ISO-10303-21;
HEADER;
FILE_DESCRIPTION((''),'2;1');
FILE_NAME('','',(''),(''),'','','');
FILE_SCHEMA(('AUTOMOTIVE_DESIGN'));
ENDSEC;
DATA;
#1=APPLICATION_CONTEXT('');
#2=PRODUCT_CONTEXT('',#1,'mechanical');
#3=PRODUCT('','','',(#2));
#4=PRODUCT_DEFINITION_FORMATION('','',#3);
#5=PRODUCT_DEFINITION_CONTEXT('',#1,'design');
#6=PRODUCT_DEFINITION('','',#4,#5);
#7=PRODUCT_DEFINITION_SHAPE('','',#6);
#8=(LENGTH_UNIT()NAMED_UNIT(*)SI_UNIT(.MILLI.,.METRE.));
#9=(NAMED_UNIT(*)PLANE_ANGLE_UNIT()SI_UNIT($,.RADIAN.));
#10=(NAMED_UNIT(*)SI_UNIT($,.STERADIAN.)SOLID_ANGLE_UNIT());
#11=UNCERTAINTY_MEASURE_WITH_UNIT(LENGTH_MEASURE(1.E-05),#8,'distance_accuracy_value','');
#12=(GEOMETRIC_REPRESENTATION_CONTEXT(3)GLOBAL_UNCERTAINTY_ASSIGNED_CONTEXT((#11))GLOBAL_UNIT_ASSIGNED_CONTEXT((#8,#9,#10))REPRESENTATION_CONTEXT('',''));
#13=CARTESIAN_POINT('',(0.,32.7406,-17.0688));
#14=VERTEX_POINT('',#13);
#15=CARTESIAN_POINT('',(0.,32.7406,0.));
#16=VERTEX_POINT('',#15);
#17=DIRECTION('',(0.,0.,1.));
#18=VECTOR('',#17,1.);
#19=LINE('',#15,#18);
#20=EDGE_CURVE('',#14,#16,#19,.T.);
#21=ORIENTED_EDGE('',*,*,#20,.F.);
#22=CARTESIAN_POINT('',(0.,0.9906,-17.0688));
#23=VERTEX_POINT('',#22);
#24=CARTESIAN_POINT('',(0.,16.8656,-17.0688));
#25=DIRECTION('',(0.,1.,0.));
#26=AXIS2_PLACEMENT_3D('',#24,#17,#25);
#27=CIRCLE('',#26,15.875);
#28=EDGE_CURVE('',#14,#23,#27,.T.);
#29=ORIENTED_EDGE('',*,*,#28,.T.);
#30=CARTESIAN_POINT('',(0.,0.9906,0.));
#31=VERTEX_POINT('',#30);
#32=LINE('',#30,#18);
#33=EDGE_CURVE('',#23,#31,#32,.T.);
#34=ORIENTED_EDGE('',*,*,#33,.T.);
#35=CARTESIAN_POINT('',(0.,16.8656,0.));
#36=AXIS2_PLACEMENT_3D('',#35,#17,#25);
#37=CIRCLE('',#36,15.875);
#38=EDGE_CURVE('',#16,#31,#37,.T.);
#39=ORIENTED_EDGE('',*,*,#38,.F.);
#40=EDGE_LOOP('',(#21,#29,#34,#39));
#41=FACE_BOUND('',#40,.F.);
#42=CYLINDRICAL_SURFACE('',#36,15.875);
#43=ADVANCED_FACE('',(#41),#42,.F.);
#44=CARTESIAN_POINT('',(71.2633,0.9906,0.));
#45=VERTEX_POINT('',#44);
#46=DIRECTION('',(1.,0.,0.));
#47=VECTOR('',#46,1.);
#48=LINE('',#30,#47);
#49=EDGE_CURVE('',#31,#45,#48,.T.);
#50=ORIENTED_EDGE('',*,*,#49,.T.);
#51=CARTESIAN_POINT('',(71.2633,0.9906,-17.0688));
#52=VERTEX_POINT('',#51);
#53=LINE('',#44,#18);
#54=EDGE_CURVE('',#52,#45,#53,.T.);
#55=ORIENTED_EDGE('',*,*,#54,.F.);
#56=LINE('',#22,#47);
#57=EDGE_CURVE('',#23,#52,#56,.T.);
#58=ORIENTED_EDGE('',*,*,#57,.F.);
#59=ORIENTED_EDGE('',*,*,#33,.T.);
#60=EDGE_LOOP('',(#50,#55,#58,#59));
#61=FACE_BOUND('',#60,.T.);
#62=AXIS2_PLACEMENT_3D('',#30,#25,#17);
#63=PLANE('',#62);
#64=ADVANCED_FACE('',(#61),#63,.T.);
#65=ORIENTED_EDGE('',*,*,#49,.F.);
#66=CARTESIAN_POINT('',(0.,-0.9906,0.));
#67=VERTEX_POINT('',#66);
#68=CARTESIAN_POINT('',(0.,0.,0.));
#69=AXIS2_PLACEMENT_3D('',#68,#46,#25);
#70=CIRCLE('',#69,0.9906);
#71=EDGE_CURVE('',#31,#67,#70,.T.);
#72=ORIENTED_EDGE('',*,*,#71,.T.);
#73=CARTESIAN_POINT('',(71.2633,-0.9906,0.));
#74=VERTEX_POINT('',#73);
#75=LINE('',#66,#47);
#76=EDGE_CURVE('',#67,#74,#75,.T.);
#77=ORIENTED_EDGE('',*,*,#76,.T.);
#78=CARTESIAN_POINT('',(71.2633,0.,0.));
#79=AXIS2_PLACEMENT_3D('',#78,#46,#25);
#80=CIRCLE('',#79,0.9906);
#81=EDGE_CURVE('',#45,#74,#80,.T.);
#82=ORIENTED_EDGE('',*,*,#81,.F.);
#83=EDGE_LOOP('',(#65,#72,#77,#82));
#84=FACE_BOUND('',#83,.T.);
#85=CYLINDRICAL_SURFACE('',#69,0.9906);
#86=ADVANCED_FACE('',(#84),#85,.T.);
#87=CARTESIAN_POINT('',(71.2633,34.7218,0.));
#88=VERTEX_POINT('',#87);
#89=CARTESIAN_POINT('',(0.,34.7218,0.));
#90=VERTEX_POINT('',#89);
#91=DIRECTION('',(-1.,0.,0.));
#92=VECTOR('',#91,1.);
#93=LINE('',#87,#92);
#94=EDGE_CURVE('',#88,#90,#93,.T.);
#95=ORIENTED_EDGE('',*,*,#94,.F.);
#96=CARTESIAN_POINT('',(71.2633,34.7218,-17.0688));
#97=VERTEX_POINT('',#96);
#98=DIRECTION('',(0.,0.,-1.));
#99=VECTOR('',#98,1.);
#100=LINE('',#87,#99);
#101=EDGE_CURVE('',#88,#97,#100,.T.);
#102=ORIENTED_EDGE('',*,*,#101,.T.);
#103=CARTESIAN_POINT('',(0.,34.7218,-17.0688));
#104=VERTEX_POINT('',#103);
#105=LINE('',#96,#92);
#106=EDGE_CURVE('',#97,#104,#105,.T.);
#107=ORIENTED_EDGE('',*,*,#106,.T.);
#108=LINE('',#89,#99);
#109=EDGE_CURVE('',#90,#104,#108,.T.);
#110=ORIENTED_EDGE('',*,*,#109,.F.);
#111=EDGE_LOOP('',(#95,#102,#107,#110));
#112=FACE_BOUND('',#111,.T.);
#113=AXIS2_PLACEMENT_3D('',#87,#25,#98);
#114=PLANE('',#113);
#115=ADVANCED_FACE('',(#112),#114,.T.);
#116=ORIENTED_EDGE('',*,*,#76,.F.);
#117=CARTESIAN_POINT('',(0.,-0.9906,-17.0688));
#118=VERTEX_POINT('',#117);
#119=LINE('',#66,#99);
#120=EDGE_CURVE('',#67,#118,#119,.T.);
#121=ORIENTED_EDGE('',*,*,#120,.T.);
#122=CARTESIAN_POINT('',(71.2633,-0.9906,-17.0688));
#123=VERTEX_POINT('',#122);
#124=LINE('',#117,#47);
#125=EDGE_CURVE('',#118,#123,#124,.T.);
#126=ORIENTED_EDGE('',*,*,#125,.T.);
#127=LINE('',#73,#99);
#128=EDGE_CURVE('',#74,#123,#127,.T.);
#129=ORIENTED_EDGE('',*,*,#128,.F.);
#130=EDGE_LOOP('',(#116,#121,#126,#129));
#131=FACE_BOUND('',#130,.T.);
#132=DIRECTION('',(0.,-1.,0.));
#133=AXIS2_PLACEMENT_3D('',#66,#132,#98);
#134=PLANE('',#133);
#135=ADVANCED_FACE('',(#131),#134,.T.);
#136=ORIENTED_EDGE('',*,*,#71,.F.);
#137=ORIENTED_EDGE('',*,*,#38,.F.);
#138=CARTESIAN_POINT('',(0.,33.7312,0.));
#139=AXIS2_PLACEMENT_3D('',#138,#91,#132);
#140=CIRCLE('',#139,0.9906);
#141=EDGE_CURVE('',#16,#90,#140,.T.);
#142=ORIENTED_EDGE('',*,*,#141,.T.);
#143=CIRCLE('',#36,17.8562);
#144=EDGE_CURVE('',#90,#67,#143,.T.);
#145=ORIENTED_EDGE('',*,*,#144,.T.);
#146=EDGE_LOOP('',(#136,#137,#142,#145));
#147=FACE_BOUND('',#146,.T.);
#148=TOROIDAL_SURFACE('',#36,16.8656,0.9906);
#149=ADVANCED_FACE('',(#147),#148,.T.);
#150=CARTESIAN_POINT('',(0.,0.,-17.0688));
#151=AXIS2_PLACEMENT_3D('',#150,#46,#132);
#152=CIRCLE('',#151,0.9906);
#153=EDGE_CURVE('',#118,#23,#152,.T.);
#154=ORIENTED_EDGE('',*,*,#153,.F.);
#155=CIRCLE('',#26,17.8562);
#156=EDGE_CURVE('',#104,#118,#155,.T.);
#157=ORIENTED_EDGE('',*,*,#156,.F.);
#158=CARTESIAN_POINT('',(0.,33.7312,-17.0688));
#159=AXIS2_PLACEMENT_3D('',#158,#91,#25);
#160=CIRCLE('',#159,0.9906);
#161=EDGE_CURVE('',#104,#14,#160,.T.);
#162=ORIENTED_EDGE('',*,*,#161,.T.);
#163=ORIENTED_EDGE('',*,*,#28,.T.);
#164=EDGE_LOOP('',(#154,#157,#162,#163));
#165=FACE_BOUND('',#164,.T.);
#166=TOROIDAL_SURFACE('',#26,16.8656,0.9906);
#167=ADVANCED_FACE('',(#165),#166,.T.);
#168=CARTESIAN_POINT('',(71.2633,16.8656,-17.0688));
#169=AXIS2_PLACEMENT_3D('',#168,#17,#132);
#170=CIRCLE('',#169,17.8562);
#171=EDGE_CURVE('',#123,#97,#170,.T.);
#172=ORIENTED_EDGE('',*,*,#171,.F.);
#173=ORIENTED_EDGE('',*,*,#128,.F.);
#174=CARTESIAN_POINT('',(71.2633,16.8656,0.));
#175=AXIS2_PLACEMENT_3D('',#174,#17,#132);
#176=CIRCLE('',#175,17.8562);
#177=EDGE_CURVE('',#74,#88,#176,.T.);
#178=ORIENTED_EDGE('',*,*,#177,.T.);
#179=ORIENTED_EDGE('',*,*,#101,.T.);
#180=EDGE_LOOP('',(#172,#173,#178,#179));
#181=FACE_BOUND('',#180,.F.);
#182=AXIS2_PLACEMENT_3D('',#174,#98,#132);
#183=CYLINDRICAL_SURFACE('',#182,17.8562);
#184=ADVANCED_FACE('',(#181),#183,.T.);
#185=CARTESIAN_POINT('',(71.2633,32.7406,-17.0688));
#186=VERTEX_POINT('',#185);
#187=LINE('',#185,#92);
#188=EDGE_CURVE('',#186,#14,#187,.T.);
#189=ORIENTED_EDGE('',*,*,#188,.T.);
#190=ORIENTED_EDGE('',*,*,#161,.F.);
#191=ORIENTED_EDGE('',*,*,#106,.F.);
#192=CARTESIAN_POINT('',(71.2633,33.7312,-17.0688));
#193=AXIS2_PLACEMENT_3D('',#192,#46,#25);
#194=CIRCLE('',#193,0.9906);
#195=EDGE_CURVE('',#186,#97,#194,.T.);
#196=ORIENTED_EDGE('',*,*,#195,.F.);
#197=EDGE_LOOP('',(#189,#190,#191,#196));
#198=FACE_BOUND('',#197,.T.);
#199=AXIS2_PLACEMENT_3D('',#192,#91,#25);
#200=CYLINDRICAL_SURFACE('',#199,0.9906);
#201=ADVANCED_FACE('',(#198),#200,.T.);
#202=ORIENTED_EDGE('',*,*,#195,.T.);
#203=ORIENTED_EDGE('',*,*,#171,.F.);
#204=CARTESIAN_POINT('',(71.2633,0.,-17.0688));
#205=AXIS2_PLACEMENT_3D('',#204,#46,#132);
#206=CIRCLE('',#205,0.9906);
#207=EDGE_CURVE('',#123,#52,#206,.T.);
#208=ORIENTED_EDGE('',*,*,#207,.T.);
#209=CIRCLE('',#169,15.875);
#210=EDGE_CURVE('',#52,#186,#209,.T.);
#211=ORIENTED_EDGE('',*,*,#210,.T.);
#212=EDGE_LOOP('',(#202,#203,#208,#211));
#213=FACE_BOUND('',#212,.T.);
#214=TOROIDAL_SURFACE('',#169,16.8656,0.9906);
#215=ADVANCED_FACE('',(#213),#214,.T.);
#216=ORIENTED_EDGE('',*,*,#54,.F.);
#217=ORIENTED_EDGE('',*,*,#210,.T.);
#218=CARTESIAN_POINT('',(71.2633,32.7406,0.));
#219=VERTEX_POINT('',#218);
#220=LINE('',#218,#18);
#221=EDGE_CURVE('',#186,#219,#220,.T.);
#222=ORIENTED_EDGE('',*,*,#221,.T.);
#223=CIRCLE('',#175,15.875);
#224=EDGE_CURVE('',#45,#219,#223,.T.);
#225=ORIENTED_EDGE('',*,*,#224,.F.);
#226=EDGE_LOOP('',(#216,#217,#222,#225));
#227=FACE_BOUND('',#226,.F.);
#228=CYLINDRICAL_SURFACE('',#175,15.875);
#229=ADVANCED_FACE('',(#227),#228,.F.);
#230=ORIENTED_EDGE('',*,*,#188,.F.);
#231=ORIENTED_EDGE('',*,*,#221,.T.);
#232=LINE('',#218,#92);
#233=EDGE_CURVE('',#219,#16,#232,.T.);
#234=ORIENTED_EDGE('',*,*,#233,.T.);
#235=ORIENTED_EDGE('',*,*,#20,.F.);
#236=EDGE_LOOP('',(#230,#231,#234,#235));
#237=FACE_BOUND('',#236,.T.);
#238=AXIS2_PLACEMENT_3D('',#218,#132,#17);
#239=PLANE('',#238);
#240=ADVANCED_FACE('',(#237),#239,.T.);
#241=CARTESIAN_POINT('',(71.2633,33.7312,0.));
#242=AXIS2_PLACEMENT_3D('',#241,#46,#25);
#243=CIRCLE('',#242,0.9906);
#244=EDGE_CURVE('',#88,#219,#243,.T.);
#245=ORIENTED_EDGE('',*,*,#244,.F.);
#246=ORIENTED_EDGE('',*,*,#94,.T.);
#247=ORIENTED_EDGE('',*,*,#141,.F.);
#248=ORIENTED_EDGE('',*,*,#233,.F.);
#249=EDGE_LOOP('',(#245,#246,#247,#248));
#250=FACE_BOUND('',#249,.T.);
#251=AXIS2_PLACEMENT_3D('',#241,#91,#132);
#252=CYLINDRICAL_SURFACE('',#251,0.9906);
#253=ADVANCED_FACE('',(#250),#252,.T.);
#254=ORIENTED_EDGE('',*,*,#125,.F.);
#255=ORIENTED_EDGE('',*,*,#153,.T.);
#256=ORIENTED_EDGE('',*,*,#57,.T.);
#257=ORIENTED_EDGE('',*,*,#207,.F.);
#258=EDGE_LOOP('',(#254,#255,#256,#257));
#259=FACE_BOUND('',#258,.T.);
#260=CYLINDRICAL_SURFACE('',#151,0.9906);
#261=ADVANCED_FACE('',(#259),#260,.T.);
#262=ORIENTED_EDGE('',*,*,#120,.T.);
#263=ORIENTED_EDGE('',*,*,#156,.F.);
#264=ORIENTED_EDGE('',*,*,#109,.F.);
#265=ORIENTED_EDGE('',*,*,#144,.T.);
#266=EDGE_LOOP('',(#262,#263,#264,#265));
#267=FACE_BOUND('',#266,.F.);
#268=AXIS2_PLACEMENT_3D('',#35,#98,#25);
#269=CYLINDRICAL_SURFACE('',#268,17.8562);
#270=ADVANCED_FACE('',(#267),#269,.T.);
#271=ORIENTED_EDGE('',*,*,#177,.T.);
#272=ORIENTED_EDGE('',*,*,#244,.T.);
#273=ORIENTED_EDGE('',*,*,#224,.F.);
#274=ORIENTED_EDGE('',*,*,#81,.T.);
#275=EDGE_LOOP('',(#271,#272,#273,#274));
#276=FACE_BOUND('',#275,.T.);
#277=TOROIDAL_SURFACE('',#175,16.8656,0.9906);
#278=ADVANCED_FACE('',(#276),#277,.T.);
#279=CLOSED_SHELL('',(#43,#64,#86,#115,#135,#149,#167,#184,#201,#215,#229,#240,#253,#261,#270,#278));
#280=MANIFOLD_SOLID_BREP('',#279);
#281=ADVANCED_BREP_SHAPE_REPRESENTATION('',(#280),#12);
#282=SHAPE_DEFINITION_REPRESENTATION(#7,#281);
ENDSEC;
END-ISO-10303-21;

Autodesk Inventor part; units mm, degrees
ref_plane "YZ Plane" through (0, 0, 0) normal (1, 0, 0) x (0, 1, 0)
ref_plane "XZ Plane" through (0, 0, 0) normal (0, 1, 0) x (-1, 0, 0)
ref_plane "XY Plane" through (0, 0, 0) normal (0, 0, 1) x (1, 0, 0)
sketch "Sketch1" plane through (0, 0, 0) normal (0, 0, 1) x (1, 0, 0)
  line L0 (0, 0) -> (71.2633, 0)
  line L1 (71.2633, 33.7312) -> (0, 33.7312)
  arc A0 (0, 33.7312) -> (0, 0) centre (0, 16.8656) ccw
  arc A1 (71.2633, 0) -> (71.2633, 33.7312) centre (71.2633, 16.8656) ccw
  dimension "d2" = 16.8656
  dimension "d3" = 71.2633
sketch "Sketch2" plane through (0, 0, 0) normal (1, 0, 0) x (0, 1, 0)
  arc A0 (0.9906, 0) -> (-0.9906, 0) centre (0, 0) ccw
  line L0 (-0.9906, 0) -> (0.9906, 0) construction
  line L1 (-0.9906, 0) -> (-0.9906, -17.0688)
  line L2 (0.9906, 0) -> (0.9906, -17.0688)
  arc A1 (-0.9906, -17.0688) -> (0.9906, -17.0688) centre (0, -17.0688) ccw
  dimension "d8" = 1.9812
  dimension "d9" = 19.05
sweep "Sweep1" add profiles "Sketch2" path "Sketch1"
properties part number "Short Polycord" material "Rubber, Silicone"
